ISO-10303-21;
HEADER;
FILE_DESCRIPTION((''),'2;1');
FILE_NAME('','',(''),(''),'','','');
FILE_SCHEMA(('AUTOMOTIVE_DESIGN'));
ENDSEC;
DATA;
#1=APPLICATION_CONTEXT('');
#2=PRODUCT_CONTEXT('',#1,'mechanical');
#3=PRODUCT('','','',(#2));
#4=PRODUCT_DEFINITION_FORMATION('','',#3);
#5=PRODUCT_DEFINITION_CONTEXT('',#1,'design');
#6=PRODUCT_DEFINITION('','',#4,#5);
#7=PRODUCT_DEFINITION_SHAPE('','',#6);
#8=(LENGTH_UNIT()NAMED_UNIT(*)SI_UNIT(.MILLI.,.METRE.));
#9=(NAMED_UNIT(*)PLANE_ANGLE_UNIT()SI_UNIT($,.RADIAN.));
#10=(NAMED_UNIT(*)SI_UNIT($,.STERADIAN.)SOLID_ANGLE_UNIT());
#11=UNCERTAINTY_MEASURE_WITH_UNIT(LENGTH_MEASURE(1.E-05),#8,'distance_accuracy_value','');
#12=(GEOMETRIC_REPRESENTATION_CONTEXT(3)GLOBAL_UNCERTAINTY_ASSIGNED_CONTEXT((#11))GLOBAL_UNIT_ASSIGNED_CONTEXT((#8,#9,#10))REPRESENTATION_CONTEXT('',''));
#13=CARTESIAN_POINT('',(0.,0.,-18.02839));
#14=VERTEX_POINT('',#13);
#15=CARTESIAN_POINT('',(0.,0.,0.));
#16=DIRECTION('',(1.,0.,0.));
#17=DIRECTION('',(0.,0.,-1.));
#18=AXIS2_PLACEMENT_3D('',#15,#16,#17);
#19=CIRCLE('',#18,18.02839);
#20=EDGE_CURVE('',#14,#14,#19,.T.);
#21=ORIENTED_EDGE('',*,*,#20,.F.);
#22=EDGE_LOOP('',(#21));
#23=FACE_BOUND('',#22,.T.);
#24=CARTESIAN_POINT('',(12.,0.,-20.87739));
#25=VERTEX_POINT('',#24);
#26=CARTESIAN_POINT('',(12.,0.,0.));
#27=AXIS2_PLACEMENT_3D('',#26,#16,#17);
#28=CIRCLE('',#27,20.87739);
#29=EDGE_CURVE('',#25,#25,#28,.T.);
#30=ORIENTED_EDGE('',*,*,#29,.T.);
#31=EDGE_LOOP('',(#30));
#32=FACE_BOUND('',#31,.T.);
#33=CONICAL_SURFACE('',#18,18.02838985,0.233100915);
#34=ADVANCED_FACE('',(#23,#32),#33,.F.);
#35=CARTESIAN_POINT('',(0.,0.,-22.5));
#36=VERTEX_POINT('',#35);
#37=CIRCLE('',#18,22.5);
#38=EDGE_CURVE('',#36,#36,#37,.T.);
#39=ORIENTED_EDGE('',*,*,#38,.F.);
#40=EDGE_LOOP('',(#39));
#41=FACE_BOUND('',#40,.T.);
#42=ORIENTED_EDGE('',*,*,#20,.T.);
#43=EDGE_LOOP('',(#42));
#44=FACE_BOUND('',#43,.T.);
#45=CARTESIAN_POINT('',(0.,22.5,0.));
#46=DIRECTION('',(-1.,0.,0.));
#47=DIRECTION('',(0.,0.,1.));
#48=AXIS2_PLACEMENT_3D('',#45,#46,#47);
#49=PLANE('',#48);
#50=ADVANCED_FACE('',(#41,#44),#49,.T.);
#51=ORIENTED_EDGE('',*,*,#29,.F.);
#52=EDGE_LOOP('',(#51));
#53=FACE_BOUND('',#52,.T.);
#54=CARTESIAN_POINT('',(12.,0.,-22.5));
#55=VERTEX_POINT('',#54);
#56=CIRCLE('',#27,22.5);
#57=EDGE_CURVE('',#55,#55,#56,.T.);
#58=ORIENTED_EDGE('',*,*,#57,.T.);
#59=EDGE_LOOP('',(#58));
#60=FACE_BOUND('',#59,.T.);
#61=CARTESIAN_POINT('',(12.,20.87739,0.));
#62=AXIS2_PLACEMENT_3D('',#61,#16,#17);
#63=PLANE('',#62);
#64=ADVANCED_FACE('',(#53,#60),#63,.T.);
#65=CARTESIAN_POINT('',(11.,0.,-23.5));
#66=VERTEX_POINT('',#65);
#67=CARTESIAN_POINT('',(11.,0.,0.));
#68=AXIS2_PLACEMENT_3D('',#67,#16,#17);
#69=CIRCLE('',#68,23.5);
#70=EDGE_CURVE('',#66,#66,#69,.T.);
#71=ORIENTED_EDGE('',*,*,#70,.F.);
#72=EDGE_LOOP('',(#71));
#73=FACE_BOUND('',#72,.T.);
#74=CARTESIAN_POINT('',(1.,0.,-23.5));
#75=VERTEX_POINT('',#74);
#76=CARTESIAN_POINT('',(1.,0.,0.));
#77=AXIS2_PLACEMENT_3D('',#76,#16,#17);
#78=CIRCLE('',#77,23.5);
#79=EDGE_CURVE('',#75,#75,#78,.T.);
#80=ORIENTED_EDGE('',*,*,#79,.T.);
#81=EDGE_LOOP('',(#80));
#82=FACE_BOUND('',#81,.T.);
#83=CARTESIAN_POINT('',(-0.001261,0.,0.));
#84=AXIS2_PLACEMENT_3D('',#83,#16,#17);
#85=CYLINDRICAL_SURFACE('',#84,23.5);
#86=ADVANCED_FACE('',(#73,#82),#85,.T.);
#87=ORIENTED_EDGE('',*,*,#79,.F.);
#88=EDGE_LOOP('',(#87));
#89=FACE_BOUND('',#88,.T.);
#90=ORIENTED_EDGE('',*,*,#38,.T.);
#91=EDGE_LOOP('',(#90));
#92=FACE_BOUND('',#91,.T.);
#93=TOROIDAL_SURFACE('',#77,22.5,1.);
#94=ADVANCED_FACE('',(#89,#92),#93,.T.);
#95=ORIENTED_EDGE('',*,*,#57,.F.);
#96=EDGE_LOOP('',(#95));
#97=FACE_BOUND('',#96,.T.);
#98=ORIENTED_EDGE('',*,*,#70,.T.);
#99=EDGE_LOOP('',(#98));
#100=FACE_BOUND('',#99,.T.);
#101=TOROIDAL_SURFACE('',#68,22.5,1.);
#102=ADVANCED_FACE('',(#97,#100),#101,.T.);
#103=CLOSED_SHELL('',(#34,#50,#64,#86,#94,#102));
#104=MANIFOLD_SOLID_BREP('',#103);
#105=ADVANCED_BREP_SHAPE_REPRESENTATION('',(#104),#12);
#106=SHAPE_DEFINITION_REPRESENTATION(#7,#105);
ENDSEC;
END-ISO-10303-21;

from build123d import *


with BuildPart() as part:
    # ｽｹｯﾁ1 → 回転1 (revolve)
    with BuildSketch(Plane.XY, mode=Mode.PRIVATE) as revolve_1_sk:
        with BuildLine():
            Line((0, 22.5), (0, 18.02838985))
            Line((0, 18.02838985), (12, 20.87738985))
            Line((12, 20.87738985), (12, 22.5))
            ThreePointArc((12, 22.5), (11.707106781, 23.207106781), (11, 23.5))
            Line((11, 23.5), (1, 23.5))
            ThreePointArc((1, 23.5), (0.292893219, 23.207106781), (0, 22.5))
        make_face()
    revolve(revolve_1_sk.sketch.rotate(Axis((-0.001261002, 0, 0), (1, 0, 0)), 270), axis=Axis((-0.001261002, 0, 0), (1, 0, 0)))


solid = part.part
